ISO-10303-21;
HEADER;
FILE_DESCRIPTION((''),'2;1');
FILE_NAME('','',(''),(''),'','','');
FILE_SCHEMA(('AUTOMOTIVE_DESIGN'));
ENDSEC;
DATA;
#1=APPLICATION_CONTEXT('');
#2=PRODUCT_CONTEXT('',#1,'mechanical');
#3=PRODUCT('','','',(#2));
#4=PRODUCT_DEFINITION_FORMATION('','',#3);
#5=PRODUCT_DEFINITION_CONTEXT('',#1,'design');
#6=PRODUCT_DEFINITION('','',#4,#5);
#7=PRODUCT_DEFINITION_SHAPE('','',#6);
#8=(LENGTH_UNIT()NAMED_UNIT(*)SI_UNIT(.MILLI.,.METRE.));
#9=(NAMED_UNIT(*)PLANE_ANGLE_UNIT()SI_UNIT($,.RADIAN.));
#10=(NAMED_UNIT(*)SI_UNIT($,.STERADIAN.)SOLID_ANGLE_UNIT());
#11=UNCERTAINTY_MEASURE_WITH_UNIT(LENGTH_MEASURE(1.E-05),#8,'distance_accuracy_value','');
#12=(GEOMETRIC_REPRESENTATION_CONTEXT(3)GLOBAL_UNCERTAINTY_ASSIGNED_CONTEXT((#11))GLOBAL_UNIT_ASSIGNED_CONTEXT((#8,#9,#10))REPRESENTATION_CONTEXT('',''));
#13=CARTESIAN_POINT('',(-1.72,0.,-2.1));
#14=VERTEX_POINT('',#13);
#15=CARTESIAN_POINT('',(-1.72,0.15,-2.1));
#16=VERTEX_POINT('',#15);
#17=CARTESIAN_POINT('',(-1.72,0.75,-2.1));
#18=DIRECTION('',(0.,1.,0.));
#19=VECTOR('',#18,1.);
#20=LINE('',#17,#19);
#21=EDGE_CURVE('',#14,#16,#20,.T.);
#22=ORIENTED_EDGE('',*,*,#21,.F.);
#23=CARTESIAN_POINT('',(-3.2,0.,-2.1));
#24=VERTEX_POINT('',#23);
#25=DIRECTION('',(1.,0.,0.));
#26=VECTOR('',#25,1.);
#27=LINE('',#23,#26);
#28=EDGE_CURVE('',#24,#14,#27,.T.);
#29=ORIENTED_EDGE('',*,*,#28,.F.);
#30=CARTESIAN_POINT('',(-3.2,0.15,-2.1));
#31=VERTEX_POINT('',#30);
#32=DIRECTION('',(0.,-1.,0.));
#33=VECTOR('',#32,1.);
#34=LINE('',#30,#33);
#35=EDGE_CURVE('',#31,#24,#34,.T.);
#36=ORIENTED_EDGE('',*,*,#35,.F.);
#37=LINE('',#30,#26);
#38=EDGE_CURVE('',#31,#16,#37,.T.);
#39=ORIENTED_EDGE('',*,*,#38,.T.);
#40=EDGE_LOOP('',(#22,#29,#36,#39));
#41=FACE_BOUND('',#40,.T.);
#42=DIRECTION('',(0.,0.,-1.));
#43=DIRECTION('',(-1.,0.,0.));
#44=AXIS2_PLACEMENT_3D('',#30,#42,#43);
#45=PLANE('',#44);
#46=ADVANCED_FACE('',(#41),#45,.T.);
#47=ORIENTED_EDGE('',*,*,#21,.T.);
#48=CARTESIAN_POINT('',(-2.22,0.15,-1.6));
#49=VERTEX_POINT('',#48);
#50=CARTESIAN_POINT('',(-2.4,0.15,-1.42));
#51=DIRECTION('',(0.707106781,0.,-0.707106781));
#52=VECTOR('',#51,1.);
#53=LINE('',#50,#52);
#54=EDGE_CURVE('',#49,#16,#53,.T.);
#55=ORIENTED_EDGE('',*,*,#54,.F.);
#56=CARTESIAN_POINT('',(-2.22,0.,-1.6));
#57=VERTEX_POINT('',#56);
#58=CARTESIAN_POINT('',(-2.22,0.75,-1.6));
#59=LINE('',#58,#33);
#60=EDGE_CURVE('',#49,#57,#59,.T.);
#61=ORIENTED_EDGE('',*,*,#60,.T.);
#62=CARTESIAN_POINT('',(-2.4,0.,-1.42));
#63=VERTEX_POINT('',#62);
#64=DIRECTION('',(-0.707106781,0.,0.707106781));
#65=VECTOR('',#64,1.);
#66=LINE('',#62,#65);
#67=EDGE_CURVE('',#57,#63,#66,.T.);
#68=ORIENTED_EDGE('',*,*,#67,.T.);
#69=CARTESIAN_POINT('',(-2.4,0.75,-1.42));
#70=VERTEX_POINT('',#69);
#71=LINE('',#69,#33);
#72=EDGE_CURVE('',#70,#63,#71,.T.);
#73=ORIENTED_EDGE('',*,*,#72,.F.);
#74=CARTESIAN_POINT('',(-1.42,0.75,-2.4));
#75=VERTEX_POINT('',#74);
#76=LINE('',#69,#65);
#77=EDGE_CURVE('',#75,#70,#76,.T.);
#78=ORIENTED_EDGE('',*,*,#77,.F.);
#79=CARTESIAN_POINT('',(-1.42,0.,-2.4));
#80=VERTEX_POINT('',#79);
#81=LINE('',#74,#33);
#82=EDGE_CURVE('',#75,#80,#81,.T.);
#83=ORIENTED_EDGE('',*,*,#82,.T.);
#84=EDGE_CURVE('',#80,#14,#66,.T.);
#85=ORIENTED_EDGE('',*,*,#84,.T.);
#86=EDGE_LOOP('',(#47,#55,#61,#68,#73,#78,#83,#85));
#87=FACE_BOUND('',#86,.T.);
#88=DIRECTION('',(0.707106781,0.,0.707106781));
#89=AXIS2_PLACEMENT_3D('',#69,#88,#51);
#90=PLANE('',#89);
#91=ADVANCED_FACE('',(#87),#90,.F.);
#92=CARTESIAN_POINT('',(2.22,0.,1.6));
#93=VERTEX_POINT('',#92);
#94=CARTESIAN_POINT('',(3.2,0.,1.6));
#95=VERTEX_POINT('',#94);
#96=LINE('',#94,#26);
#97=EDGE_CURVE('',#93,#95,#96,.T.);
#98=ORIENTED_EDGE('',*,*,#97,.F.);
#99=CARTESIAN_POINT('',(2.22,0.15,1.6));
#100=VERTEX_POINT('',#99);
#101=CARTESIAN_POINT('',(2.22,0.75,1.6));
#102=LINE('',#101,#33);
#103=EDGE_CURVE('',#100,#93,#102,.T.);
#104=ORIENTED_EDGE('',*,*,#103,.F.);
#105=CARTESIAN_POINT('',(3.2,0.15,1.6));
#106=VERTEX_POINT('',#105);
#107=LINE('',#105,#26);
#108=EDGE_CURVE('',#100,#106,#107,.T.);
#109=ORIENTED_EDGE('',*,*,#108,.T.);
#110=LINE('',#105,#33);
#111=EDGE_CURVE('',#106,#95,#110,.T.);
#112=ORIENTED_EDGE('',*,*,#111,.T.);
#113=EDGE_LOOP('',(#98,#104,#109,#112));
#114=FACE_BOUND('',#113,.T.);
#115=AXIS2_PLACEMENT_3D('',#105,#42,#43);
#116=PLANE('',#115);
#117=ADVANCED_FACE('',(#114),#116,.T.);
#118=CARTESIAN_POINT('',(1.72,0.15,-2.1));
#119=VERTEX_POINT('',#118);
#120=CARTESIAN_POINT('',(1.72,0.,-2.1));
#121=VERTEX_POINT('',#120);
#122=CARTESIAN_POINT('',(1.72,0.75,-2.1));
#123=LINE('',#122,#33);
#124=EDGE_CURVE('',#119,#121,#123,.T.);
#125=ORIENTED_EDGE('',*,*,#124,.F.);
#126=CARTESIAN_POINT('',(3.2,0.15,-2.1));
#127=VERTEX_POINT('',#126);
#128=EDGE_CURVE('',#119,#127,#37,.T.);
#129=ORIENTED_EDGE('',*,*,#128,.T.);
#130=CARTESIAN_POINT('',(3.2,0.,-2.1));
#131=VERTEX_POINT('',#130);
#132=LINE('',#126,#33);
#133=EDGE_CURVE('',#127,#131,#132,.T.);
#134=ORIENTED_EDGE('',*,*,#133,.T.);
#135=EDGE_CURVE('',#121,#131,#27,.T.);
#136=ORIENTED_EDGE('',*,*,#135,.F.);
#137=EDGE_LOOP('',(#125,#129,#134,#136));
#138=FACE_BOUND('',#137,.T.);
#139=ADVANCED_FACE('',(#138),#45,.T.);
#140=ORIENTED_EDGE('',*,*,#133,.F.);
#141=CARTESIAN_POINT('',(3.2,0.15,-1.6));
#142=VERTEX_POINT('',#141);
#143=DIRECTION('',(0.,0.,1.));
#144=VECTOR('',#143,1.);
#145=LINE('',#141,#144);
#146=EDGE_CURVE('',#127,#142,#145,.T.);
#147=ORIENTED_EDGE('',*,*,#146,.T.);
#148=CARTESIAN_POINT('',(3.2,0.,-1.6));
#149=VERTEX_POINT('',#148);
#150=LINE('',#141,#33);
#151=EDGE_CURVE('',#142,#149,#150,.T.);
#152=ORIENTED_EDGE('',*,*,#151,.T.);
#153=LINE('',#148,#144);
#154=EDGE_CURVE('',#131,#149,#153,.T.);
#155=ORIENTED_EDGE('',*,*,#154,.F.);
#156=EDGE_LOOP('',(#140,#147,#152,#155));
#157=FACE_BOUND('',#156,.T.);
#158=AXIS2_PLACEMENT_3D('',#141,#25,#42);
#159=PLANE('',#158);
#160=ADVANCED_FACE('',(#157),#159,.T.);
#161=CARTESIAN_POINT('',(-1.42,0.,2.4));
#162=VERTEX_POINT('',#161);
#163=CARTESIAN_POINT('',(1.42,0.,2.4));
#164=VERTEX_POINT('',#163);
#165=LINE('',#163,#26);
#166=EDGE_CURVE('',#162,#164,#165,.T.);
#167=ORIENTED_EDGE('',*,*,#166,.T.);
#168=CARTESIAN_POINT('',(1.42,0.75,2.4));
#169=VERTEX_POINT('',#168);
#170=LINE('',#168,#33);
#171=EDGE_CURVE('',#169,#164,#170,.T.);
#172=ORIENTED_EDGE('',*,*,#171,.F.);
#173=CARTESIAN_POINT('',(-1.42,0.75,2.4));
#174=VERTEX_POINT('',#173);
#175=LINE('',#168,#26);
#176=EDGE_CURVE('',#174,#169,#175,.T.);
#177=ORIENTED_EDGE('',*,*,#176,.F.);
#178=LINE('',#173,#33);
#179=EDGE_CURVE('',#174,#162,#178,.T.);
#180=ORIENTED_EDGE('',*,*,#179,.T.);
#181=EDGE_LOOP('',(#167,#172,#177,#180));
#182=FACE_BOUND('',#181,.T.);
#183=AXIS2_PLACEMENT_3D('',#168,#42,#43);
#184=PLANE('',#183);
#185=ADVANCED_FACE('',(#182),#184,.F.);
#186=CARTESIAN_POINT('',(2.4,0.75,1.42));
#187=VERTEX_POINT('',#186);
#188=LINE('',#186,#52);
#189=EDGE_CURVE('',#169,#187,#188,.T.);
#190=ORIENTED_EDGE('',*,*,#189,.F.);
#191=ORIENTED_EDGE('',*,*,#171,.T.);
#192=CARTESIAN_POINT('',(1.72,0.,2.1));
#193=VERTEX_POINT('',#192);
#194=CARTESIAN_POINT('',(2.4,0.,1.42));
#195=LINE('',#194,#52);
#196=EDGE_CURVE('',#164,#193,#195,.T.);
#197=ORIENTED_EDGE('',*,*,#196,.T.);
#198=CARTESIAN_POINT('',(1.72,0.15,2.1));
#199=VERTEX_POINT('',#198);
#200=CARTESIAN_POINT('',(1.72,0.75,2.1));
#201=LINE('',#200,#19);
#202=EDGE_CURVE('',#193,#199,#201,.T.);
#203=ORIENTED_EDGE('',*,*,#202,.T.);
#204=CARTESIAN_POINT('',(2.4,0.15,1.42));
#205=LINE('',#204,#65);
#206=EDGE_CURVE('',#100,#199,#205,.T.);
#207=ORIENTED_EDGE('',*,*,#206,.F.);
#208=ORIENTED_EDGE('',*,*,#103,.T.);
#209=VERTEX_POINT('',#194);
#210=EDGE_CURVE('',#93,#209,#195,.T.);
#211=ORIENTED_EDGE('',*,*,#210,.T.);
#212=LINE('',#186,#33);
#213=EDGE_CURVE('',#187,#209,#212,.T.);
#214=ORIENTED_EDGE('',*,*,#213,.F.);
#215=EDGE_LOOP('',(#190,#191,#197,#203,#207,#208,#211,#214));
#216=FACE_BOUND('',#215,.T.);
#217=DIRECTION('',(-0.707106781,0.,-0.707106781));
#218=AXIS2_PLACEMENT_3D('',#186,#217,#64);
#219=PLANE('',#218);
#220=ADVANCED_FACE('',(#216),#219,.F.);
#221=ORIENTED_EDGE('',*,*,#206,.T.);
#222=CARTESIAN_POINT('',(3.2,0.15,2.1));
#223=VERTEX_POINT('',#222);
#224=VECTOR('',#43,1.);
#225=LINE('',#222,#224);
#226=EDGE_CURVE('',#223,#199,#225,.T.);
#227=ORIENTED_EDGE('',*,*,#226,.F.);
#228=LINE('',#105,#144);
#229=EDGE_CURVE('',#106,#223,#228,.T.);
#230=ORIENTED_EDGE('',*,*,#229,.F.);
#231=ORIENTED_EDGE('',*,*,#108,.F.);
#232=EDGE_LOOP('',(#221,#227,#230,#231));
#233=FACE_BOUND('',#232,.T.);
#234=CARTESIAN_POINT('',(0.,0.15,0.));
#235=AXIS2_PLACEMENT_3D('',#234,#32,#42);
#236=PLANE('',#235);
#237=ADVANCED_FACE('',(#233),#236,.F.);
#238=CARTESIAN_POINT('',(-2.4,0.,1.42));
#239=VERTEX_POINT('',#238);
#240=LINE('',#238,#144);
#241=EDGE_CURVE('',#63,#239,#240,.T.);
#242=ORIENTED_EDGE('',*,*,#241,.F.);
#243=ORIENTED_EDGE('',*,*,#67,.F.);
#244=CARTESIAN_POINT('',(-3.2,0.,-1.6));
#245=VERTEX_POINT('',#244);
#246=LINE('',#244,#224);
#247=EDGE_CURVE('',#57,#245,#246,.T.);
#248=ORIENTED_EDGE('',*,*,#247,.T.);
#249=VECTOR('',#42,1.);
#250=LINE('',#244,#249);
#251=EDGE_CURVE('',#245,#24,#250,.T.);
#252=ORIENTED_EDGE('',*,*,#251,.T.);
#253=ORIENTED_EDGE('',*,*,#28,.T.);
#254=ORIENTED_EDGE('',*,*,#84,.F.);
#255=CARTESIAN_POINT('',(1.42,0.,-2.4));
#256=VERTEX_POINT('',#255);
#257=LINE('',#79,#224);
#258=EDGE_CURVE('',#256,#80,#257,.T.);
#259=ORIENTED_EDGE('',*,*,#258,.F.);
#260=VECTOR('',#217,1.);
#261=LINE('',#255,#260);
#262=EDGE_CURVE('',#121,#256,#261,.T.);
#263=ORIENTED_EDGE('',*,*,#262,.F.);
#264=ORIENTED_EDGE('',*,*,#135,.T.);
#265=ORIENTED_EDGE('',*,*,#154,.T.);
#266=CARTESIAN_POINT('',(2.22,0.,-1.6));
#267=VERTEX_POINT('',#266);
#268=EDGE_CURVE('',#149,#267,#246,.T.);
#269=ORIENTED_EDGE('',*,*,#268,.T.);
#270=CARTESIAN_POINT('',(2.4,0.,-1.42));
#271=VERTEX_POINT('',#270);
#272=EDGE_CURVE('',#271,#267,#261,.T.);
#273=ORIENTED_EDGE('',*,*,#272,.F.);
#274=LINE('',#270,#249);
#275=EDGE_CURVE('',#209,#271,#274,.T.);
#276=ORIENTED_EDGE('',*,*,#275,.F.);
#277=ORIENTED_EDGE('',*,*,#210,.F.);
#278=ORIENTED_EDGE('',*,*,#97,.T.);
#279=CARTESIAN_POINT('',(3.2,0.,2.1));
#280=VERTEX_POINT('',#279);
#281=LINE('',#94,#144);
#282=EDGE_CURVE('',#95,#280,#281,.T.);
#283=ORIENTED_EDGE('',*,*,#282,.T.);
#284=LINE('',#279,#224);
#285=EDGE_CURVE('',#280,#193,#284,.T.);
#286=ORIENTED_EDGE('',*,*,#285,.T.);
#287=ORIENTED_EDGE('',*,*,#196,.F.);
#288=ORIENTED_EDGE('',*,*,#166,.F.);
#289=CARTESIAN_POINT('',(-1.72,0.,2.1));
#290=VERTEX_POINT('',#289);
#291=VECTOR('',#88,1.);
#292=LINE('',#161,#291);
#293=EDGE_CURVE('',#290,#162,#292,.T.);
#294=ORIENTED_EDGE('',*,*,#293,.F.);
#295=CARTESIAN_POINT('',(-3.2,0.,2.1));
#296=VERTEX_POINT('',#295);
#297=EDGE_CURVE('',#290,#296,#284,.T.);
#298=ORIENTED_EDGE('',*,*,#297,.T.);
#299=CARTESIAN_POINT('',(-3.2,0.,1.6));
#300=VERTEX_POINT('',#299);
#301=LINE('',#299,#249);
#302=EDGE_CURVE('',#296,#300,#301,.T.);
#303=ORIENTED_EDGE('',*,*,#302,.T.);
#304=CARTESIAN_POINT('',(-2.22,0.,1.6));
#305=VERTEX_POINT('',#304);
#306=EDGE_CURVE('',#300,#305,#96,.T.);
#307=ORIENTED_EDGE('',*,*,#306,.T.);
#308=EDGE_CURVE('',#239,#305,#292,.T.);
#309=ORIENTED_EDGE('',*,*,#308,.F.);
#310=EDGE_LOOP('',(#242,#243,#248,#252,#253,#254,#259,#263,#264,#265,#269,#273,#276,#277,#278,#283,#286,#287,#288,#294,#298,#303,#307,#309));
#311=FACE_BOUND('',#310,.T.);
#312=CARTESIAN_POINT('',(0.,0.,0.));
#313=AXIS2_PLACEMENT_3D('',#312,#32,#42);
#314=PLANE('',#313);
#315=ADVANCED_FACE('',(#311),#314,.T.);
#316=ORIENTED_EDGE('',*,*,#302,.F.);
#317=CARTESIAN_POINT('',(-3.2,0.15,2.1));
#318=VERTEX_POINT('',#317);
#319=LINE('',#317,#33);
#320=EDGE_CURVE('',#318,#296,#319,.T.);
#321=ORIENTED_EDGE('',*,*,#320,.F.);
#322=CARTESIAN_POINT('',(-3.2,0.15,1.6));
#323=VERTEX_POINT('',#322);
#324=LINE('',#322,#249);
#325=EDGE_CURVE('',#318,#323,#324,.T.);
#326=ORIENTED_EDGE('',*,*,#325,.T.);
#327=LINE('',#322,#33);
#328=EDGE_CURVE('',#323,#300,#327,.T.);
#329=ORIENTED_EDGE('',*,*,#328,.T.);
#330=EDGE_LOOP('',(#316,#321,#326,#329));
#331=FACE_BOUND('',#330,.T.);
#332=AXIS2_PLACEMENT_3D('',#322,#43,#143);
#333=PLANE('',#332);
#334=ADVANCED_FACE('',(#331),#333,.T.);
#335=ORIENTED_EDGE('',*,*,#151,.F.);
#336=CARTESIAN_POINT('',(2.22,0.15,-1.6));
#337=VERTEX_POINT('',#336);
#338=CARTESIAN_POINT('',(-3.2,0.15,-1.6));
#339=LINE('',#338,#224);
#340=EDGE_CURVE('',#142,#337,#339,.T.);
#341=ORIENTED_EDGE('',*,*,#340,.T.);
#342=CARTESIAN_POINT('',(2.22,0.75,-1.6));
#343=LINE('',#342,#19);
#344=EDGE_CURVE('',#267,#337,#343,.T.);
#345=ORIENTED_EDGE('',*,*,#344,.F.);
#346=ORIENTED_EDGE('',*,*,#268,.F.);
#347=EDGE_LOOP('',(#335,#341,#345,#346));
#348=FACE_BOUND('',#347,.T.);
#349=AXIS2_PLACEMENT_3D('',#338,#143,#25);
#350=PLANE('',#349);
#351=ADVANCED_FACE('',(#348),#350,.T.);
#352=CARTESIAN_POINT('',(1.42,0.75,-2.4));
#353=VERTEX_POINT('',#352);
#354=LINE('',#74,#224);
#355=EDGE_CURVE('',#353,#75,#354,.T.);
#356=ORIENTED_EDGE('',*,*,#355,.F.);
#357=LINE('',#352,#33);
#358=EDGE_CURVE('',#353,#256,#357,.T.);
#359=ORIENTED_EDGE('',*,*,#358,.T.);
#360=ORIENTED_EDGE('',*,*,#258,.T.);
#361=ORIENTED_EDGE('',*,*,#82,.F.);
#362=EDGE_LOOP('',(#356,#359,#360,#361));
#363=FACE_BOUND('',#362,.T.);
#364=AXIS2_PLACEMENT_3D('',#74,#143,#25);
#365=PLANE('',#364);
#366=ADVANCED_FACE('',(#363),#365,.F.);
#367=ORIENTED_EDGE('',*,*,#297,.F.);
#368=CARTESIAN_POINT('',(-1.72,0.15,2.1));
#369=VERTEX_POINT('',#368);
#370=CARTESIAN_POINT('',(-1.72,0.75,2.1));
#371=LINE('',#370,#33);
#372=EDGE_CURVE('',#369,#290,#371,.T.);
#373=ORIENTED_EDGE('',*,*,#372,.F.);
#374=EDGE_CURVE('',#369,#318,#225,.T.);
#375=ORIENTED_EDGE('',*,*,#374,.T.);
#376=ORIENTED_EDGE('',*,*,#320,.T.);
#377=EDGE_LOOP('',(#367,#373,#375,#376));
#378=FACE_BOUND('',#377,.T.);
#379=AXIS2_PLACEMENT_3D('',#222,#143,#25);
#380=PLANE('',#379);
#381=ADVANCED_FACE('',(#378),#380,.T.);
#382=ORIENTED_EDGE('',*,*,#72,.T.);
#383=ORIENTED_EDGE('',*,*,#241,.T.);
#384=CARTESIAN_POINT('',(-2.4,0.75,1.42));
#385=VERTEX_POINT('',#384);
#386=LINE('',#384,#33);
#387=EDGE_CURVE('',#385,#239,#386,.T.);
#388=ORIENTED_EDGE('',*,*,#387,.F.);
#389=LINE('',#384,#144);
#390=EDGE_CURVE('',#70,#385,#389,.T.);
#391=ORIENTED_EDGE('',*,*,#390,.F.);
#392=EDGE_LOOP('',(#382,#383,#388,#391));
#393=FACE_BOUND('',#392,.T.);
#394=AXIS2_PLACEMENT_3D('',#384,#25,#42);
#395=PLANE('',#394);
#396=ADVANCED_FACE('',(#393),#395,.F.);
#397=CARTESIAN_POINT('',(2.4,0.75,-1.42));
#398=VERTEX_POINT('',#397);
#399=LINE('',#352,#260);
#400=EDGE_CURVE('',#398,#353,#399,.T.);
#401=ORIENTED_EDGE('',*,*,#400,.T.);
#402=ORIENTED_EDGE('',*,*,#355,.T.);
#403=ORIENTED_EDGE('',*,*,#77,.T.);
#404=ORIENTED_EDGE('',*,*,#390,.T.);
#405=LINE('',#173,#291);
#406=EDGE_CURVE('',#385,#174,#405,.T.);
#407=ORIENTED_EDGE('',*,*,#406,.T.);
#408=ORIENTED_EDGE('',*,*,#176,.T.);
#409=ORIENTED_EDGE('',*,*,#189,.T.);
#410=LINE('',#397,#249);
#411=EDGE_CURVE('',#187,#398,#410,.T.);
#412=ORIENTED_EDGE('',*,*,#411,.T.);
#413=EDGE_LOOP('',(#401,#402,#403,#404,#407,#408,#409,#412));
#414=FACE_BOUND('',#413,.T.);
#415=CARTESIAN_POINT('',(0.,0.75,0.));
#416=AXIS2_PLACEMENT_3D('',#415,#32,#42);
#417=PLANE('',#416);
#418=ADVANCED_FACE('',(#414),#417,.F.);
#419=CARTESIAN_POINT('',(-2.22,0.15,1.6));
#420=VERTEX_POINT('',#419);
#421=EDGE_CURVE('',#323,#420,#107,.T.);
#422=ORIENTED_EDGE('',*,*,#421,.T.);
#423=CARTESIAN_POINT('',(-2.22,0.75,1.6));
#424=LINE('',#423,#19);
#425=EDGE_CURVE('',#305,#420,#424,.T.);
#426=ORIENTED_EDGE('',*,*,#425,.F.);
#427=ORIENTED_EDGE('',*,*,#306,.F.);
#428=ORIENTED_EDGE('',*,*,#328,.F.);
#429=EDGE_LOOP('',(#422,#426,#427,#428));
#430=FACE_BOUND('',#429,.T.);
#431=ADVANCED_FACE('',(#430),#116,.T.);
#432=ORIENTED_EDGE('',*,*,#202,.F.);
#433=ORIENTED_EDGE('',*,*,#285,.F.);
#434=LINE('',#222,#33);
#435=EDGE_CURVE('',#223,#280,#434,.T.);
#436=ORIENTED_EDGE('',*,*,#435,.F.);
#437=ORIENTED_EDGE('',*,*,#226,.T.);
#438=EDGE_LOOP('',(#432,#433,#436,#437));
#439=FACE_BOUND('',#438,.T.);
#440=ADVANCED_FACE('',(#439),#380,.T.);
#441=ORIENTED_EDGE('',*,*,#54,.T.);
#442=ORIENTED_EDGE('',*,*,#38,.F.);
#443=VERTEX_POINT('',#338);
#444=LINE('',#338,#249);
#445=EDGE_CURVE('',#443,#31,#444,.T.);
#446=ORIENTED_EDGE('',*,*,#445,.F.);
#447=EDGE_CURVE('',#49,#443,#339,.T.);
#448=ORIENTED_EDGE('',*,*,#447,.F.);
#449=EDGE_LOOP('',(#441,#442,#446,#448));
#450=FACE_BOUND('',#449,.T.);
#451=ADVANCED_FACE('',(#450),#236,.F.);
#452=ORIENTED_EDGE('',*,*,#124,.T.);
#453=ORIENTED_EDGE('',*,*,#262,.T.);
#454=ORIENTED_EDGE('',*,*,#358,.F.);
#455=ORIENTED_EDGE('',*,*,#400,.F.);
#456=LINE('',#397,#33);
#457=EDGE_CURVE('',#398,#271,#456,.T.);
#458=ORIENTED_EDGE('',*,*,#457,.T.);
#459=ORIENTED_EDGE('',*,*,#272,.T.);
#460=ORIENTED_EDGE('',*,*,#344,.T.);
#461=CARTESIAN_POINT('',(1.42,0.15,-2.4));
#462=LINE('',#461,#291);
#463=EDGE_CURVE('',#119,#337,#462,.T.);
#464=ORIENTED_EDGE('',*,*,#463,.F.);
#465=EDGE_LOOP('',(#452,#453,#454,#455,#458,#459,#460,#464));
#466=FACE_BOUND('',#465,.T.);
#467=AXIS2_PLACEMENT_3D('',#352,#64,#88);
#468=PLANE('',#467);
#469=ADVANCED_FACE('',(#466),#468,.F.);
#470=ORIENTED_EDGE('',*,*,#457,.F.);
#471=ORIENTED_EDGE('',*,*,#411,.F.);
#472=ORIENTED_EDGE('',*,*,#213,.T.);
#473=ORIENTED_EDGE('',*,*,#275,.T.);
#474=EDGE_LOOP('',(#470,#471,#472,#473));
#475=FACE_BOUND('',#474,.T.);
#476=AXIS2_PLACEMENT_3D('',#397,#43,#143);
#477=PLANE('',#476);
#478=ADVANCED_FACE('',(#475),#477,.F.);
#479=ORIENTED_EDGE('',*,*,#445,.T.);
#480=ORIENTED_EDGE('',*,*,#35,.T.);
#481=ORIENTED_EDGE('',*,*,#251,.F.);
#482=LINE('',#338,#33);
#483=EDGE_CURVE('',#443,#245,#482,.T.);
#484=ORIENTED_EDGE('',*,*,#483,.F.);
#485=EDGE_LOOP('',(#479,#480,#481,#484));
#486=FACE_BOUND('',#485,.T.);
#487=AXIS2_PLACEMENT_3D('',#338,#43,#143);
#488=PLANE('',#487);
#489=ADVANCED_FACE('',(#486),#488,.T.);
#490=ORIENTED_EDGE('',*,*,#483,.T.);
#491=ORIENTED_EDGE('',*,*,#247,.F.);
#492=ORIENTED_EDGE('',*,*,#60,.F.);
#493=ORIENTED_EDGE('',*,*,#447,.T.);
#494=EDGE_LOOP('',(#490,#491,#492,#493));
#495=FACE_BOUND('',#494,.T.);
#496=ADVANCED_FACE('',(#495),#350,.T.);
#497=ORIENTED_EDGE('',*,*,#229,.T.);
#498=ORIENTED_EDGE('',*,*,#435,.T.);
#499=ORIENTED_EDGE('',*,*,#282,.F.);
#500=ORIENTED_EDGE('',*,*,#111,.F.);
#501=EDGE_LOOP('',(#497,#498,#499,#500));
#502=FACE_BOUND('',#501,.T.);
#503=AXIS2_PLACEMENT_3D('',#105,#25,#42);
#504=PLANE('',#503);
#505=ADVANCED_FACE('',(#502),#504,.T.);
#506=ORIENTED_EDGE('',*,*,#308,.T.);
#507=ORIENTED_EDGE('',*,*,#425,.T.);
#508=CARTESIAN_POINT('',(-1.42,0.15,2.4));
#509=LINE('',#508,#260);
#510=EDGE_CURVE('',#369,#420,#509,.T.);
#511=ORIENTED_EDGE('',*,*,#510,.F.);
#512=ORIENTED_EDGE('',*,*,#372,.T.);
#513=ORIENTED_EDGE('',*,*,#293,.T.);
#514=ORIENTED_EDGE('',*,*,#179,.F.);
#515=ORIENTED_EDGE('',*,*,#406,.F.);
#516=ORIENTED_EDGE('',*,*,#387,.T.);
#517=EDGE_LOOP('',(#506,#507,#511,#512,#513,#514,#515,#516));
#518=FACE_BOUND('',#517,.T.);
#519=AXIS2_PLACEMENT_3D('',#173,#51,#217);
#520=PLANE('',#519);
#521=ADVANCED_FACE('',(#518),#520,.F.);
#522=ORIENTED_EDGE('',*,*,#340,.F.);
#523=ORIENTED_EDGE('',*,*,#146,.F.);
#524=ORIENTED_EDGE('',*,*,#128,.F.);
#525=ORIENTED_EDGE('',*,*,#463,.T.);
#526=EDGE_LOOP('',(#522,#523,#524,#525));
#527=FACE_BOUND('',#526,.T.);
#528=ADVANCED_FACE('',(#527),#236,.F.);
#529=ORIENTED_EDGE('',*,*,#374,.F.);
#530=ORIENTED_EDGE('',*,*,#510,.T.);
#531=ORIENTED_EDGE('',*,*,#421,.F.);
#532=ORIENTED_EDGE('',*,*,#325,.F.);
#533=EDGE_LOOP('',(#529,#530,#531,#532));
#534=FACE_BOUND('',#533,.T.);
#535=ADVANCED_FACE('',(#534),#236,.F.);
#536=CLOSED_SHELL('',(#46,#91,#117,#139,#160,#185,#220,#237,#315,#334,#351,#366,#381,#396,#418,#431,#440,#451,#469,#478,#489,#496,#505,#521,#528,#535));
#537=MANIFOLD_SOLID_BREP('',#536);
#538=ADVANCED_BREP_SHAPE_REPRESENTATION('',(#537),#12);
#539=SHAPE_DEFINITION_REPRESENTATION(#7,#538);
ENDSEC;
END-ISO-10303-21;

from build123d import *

# Parameters (mm, degrees)
EXTRUDE_1_DEPTH = 0.75
SKETCH_2_W      = 6.4
SKETCH_2_H      = 0.5
EXTRUDE_2_DEPTH = 0.15


with BuildPart() as part:
    # 草图1 → 凸台-拉伸1 (new body)
    with BuildSketch(Plane(origin=(0, 0, 0), x_dir=(1, 0, 0), z_dir=(0, 1, 0))):
        Polygon((-1.42, 2.4), (1.42, 2.4), (2.4, 1.42), (2.4, -1.42), (1.42, -2.4), (-1.42, -2.4), (-2.4, -1.42), (-2.4, 1.42), align=None)
    extrude(amount=EXTRUDE_1_DEPTH)

    # 草图2 → 凸台-拉伸2 (add)
    with BuildSketch(Plane.XZ):
        with Locations((0, 1.85)):
            Rectangle(SKETCH_2_W, SKETCH_2_H)
        with Locations((0, -1.85)):
            Rectangle(SKETCH_2_W, SKETCH_2_H)
    extrude(amount=-EXTRUDE_2_DEPTH)


solid = part.part
